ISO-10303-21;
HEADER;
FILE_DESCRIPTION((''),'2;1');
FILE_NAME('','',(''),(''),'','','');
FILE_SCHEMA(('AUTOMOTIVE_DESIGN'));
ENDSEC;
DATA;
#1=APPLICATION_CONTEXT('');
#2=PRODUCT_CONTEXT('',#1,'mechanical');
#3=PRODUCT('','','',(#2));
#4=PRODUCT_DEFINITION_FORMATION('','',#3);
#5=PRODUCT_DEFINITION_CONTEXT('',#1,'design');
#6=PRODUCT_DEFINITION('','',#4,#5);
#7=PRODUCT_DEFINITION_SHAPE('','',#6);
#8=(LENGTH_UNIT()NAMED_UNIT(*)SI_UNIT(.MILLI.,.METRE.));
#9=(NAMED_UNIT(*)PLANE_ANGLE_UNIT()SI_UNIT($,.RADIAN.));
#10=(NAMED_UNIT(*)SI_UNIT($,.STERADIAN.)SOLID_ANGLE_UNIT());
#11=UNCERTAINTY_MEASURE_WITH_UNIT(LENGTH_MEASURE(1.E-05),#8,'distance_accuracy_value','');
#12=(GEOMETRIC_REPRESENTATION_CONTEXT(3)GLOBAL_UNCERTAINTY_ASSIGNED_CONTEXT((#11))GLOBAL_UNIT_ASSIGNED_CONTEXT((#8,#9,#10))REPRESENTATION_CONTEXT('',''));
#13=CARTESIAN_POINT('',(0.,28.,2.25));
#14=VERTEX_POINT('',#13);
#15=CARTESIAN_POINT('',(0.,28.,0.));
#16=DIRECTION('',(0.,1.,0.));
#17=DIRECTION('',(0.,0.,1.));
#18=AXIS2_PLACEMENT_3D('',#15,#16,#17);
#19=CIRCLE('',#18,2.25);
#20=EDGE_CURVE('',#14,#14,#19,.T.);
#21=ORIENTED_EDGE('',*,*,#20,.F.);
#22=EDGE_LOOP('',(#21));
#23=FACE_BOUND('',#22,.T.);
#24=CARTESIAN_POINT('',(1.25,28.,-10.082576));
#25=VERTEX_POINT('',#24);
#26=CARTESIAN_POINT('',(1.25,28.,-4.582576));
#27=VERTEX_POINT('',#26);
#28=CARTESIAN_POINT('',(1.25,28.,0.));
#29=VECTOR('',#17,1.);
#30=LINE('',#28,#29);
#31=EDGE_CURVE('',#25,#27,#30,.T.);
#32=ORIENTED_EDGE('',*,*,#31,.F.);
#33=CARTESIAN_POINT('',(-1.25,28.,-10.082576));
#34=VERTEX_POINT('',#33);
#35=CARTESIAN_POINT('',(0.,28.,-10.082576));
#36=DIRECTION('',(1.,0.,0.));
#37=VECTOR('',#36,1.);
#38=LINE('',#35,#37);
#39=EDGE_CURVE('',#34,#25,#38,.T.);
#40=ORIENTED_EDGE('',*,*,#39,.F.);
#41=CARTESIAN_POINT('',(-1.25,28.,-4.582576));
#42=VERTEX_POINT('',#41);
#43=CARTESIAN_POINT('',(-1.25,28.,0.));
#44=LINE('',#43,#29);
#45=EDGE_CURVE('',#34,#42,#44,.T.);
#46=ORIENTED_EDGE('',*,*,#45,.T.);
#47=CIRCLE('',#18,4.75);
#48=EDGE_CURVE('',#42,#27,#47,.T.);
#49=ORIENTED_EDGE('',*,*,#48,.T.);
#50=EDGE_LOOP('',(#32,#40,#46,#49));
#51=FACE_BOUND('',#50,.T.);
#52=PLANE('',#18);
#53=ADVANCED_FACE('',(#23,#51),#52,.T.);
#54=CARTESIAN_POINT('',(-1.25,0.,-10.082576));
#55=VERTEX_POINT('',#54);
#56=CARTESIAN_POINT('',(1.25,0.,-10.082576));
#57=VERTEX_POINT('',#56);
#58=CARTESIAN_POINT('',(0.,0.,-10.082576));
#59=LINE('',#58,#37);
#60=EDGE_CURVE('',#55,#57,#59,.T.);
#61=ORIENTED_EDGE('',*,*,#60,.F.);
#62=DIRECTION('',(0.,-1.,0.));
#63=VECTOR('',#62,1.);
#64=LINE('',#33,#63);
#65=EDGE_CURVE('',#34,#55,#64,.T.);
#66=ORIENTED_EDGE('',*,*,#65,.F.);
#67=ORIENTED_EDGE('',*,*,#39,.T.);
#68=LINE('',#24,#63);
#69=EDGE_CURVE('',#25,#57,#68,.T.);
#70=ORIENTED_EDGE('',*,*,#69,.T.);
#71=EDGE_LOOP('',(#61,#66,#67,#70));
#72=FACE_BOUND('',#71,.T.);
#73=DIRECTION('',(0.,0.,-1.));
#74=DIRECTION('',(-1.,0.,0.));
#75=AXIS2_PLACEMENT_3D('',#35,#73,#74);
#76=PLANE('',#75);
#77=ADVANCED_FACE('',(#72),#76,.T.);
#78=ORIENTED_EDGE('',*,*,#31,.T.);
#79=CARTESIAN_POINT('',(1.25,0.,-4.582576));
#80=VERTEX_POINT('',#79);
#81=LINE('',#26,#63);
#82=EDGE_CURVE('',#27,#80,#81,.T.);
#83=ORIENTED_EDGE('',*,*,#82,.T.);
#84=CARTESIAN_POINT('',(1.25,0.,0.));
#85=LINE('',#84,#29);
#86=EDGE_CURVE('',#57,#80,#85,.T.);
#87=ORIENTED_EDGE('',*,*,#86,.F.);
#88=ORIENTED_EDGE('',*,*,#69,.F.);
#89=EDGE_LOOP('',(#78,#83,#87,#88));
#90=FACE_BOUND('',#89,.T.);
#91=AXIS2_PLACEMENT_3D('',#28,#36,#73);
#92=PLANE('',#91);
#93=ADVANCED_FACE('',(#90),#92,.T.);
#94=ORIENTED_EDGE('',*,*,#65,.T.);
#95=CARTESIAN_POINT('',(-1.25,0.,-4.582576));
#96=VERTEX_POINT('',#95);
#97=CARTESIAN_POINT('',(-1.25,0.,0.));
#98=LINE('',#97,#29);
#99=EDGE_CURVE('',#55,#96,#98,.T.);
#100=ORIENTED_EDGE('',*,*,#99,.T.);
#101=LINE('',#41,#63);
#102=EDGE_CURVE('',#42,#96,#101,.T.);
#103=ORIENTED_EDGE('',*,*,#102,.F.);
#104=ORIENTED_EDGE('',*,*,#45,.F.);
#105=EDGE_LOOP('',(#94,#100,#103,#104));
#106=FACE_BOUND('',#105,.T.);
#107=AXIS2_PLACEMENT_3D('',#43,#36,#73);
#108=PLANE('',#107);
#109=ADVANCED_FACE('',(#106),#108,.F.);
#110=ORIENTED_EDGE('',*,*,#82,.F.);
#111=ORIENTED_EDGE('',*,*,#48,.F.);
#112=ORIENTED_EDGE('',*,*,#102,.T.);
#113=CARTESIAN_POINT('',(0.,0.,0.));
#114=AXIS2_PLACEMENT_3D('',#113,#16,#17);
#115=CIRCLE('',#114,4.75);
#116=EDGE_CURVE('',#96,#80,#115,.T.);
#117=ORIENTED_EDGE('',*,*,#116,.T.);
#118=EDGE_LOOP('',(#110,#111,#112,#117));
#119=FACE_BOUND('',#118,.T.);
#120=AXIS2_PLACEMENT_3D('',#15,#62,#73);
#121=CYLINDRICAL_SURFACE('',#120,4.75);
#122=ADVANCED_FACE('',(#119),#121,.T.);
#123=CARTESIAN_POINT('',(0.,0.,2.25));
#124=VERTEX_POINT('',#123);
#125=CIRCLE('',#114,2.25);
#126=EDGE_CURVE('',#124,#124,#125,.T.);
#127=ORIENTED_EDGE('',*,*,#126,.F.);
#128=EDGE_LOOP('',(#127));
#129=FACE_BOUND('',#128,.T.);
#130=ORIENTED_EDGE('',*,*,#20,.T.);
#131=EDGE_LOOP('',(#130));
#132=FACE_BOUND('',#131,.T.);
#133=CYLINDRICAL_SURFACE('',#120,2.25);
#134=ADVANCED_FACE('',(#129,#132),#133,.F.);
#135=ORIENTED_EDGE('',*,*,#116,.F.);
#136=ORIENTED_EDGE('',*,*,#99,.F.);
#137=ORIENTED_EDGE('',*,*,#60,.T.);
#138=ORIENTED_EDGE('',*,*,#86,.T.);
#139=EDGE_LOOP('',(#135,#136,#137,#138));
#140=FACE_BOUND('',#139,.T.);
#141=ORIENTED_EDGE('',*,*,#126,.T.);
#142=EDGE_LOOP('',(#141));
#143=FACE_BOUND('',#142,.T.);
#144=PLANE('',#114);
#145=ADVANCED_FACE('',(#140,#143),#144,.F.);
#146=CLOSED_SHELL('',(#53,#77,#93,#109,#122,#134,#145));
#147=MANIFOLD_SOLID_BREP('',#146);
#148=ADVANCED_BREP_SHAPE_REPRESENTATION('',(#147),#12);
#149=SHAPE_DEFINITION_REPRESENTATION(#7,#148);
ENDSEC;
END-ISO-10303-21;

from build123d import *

# Parameters (mm, degrees)
SKETCH1_R           = 2.25
BOSS_EXTRUDE1_DEPTH = 28


with BuildPart() as part:
    # Sketch1 → Boss-Extrude1 (new body)
    with BuildSketch(Plane(origin=(0, 0, 0), x_dir=(1, 0, 0), z_dir=(0, 1, 0))):
        with BuildLine():
            Line((1.25, 10.082575695), (-1.25, 10.082575695))
            Line((-1.25, 10.082575695), (-1.25, 4.582575695))
            ThreePointArc((-1.25, 4.582575695), (0, 4.75), (1.25, 4.582575695))
            Line((1.25, 4.582575695), (1.25, 10.082575695))
        make_face()
        with BuildLine():
            Line((1.25, 4.582575695), (-1.25, 4.582575695))
            ThreePointArc((-1.25, 4.582575695), (-2.883140649, -3.774917218), (4.75, 0))
            ThreePointArc((4.75, 0), (3.774917218, 2.883140649), (1.25, 4.582575695))
        make_face()
        Circle(SKETCH1_R, mode=Mode.SUBTRACT)
        with BuildLine():
            ThreePointArc((1.25, 4.582575695), (0, 4.75), (-1.25, 4.582575695))
            Line((-1.25, 4.582575695), (1.25, 4.582575695))
        make_face()
    extrude(amount=BOSS_EXTRUDE1_DEPTH)


solid = part.part
